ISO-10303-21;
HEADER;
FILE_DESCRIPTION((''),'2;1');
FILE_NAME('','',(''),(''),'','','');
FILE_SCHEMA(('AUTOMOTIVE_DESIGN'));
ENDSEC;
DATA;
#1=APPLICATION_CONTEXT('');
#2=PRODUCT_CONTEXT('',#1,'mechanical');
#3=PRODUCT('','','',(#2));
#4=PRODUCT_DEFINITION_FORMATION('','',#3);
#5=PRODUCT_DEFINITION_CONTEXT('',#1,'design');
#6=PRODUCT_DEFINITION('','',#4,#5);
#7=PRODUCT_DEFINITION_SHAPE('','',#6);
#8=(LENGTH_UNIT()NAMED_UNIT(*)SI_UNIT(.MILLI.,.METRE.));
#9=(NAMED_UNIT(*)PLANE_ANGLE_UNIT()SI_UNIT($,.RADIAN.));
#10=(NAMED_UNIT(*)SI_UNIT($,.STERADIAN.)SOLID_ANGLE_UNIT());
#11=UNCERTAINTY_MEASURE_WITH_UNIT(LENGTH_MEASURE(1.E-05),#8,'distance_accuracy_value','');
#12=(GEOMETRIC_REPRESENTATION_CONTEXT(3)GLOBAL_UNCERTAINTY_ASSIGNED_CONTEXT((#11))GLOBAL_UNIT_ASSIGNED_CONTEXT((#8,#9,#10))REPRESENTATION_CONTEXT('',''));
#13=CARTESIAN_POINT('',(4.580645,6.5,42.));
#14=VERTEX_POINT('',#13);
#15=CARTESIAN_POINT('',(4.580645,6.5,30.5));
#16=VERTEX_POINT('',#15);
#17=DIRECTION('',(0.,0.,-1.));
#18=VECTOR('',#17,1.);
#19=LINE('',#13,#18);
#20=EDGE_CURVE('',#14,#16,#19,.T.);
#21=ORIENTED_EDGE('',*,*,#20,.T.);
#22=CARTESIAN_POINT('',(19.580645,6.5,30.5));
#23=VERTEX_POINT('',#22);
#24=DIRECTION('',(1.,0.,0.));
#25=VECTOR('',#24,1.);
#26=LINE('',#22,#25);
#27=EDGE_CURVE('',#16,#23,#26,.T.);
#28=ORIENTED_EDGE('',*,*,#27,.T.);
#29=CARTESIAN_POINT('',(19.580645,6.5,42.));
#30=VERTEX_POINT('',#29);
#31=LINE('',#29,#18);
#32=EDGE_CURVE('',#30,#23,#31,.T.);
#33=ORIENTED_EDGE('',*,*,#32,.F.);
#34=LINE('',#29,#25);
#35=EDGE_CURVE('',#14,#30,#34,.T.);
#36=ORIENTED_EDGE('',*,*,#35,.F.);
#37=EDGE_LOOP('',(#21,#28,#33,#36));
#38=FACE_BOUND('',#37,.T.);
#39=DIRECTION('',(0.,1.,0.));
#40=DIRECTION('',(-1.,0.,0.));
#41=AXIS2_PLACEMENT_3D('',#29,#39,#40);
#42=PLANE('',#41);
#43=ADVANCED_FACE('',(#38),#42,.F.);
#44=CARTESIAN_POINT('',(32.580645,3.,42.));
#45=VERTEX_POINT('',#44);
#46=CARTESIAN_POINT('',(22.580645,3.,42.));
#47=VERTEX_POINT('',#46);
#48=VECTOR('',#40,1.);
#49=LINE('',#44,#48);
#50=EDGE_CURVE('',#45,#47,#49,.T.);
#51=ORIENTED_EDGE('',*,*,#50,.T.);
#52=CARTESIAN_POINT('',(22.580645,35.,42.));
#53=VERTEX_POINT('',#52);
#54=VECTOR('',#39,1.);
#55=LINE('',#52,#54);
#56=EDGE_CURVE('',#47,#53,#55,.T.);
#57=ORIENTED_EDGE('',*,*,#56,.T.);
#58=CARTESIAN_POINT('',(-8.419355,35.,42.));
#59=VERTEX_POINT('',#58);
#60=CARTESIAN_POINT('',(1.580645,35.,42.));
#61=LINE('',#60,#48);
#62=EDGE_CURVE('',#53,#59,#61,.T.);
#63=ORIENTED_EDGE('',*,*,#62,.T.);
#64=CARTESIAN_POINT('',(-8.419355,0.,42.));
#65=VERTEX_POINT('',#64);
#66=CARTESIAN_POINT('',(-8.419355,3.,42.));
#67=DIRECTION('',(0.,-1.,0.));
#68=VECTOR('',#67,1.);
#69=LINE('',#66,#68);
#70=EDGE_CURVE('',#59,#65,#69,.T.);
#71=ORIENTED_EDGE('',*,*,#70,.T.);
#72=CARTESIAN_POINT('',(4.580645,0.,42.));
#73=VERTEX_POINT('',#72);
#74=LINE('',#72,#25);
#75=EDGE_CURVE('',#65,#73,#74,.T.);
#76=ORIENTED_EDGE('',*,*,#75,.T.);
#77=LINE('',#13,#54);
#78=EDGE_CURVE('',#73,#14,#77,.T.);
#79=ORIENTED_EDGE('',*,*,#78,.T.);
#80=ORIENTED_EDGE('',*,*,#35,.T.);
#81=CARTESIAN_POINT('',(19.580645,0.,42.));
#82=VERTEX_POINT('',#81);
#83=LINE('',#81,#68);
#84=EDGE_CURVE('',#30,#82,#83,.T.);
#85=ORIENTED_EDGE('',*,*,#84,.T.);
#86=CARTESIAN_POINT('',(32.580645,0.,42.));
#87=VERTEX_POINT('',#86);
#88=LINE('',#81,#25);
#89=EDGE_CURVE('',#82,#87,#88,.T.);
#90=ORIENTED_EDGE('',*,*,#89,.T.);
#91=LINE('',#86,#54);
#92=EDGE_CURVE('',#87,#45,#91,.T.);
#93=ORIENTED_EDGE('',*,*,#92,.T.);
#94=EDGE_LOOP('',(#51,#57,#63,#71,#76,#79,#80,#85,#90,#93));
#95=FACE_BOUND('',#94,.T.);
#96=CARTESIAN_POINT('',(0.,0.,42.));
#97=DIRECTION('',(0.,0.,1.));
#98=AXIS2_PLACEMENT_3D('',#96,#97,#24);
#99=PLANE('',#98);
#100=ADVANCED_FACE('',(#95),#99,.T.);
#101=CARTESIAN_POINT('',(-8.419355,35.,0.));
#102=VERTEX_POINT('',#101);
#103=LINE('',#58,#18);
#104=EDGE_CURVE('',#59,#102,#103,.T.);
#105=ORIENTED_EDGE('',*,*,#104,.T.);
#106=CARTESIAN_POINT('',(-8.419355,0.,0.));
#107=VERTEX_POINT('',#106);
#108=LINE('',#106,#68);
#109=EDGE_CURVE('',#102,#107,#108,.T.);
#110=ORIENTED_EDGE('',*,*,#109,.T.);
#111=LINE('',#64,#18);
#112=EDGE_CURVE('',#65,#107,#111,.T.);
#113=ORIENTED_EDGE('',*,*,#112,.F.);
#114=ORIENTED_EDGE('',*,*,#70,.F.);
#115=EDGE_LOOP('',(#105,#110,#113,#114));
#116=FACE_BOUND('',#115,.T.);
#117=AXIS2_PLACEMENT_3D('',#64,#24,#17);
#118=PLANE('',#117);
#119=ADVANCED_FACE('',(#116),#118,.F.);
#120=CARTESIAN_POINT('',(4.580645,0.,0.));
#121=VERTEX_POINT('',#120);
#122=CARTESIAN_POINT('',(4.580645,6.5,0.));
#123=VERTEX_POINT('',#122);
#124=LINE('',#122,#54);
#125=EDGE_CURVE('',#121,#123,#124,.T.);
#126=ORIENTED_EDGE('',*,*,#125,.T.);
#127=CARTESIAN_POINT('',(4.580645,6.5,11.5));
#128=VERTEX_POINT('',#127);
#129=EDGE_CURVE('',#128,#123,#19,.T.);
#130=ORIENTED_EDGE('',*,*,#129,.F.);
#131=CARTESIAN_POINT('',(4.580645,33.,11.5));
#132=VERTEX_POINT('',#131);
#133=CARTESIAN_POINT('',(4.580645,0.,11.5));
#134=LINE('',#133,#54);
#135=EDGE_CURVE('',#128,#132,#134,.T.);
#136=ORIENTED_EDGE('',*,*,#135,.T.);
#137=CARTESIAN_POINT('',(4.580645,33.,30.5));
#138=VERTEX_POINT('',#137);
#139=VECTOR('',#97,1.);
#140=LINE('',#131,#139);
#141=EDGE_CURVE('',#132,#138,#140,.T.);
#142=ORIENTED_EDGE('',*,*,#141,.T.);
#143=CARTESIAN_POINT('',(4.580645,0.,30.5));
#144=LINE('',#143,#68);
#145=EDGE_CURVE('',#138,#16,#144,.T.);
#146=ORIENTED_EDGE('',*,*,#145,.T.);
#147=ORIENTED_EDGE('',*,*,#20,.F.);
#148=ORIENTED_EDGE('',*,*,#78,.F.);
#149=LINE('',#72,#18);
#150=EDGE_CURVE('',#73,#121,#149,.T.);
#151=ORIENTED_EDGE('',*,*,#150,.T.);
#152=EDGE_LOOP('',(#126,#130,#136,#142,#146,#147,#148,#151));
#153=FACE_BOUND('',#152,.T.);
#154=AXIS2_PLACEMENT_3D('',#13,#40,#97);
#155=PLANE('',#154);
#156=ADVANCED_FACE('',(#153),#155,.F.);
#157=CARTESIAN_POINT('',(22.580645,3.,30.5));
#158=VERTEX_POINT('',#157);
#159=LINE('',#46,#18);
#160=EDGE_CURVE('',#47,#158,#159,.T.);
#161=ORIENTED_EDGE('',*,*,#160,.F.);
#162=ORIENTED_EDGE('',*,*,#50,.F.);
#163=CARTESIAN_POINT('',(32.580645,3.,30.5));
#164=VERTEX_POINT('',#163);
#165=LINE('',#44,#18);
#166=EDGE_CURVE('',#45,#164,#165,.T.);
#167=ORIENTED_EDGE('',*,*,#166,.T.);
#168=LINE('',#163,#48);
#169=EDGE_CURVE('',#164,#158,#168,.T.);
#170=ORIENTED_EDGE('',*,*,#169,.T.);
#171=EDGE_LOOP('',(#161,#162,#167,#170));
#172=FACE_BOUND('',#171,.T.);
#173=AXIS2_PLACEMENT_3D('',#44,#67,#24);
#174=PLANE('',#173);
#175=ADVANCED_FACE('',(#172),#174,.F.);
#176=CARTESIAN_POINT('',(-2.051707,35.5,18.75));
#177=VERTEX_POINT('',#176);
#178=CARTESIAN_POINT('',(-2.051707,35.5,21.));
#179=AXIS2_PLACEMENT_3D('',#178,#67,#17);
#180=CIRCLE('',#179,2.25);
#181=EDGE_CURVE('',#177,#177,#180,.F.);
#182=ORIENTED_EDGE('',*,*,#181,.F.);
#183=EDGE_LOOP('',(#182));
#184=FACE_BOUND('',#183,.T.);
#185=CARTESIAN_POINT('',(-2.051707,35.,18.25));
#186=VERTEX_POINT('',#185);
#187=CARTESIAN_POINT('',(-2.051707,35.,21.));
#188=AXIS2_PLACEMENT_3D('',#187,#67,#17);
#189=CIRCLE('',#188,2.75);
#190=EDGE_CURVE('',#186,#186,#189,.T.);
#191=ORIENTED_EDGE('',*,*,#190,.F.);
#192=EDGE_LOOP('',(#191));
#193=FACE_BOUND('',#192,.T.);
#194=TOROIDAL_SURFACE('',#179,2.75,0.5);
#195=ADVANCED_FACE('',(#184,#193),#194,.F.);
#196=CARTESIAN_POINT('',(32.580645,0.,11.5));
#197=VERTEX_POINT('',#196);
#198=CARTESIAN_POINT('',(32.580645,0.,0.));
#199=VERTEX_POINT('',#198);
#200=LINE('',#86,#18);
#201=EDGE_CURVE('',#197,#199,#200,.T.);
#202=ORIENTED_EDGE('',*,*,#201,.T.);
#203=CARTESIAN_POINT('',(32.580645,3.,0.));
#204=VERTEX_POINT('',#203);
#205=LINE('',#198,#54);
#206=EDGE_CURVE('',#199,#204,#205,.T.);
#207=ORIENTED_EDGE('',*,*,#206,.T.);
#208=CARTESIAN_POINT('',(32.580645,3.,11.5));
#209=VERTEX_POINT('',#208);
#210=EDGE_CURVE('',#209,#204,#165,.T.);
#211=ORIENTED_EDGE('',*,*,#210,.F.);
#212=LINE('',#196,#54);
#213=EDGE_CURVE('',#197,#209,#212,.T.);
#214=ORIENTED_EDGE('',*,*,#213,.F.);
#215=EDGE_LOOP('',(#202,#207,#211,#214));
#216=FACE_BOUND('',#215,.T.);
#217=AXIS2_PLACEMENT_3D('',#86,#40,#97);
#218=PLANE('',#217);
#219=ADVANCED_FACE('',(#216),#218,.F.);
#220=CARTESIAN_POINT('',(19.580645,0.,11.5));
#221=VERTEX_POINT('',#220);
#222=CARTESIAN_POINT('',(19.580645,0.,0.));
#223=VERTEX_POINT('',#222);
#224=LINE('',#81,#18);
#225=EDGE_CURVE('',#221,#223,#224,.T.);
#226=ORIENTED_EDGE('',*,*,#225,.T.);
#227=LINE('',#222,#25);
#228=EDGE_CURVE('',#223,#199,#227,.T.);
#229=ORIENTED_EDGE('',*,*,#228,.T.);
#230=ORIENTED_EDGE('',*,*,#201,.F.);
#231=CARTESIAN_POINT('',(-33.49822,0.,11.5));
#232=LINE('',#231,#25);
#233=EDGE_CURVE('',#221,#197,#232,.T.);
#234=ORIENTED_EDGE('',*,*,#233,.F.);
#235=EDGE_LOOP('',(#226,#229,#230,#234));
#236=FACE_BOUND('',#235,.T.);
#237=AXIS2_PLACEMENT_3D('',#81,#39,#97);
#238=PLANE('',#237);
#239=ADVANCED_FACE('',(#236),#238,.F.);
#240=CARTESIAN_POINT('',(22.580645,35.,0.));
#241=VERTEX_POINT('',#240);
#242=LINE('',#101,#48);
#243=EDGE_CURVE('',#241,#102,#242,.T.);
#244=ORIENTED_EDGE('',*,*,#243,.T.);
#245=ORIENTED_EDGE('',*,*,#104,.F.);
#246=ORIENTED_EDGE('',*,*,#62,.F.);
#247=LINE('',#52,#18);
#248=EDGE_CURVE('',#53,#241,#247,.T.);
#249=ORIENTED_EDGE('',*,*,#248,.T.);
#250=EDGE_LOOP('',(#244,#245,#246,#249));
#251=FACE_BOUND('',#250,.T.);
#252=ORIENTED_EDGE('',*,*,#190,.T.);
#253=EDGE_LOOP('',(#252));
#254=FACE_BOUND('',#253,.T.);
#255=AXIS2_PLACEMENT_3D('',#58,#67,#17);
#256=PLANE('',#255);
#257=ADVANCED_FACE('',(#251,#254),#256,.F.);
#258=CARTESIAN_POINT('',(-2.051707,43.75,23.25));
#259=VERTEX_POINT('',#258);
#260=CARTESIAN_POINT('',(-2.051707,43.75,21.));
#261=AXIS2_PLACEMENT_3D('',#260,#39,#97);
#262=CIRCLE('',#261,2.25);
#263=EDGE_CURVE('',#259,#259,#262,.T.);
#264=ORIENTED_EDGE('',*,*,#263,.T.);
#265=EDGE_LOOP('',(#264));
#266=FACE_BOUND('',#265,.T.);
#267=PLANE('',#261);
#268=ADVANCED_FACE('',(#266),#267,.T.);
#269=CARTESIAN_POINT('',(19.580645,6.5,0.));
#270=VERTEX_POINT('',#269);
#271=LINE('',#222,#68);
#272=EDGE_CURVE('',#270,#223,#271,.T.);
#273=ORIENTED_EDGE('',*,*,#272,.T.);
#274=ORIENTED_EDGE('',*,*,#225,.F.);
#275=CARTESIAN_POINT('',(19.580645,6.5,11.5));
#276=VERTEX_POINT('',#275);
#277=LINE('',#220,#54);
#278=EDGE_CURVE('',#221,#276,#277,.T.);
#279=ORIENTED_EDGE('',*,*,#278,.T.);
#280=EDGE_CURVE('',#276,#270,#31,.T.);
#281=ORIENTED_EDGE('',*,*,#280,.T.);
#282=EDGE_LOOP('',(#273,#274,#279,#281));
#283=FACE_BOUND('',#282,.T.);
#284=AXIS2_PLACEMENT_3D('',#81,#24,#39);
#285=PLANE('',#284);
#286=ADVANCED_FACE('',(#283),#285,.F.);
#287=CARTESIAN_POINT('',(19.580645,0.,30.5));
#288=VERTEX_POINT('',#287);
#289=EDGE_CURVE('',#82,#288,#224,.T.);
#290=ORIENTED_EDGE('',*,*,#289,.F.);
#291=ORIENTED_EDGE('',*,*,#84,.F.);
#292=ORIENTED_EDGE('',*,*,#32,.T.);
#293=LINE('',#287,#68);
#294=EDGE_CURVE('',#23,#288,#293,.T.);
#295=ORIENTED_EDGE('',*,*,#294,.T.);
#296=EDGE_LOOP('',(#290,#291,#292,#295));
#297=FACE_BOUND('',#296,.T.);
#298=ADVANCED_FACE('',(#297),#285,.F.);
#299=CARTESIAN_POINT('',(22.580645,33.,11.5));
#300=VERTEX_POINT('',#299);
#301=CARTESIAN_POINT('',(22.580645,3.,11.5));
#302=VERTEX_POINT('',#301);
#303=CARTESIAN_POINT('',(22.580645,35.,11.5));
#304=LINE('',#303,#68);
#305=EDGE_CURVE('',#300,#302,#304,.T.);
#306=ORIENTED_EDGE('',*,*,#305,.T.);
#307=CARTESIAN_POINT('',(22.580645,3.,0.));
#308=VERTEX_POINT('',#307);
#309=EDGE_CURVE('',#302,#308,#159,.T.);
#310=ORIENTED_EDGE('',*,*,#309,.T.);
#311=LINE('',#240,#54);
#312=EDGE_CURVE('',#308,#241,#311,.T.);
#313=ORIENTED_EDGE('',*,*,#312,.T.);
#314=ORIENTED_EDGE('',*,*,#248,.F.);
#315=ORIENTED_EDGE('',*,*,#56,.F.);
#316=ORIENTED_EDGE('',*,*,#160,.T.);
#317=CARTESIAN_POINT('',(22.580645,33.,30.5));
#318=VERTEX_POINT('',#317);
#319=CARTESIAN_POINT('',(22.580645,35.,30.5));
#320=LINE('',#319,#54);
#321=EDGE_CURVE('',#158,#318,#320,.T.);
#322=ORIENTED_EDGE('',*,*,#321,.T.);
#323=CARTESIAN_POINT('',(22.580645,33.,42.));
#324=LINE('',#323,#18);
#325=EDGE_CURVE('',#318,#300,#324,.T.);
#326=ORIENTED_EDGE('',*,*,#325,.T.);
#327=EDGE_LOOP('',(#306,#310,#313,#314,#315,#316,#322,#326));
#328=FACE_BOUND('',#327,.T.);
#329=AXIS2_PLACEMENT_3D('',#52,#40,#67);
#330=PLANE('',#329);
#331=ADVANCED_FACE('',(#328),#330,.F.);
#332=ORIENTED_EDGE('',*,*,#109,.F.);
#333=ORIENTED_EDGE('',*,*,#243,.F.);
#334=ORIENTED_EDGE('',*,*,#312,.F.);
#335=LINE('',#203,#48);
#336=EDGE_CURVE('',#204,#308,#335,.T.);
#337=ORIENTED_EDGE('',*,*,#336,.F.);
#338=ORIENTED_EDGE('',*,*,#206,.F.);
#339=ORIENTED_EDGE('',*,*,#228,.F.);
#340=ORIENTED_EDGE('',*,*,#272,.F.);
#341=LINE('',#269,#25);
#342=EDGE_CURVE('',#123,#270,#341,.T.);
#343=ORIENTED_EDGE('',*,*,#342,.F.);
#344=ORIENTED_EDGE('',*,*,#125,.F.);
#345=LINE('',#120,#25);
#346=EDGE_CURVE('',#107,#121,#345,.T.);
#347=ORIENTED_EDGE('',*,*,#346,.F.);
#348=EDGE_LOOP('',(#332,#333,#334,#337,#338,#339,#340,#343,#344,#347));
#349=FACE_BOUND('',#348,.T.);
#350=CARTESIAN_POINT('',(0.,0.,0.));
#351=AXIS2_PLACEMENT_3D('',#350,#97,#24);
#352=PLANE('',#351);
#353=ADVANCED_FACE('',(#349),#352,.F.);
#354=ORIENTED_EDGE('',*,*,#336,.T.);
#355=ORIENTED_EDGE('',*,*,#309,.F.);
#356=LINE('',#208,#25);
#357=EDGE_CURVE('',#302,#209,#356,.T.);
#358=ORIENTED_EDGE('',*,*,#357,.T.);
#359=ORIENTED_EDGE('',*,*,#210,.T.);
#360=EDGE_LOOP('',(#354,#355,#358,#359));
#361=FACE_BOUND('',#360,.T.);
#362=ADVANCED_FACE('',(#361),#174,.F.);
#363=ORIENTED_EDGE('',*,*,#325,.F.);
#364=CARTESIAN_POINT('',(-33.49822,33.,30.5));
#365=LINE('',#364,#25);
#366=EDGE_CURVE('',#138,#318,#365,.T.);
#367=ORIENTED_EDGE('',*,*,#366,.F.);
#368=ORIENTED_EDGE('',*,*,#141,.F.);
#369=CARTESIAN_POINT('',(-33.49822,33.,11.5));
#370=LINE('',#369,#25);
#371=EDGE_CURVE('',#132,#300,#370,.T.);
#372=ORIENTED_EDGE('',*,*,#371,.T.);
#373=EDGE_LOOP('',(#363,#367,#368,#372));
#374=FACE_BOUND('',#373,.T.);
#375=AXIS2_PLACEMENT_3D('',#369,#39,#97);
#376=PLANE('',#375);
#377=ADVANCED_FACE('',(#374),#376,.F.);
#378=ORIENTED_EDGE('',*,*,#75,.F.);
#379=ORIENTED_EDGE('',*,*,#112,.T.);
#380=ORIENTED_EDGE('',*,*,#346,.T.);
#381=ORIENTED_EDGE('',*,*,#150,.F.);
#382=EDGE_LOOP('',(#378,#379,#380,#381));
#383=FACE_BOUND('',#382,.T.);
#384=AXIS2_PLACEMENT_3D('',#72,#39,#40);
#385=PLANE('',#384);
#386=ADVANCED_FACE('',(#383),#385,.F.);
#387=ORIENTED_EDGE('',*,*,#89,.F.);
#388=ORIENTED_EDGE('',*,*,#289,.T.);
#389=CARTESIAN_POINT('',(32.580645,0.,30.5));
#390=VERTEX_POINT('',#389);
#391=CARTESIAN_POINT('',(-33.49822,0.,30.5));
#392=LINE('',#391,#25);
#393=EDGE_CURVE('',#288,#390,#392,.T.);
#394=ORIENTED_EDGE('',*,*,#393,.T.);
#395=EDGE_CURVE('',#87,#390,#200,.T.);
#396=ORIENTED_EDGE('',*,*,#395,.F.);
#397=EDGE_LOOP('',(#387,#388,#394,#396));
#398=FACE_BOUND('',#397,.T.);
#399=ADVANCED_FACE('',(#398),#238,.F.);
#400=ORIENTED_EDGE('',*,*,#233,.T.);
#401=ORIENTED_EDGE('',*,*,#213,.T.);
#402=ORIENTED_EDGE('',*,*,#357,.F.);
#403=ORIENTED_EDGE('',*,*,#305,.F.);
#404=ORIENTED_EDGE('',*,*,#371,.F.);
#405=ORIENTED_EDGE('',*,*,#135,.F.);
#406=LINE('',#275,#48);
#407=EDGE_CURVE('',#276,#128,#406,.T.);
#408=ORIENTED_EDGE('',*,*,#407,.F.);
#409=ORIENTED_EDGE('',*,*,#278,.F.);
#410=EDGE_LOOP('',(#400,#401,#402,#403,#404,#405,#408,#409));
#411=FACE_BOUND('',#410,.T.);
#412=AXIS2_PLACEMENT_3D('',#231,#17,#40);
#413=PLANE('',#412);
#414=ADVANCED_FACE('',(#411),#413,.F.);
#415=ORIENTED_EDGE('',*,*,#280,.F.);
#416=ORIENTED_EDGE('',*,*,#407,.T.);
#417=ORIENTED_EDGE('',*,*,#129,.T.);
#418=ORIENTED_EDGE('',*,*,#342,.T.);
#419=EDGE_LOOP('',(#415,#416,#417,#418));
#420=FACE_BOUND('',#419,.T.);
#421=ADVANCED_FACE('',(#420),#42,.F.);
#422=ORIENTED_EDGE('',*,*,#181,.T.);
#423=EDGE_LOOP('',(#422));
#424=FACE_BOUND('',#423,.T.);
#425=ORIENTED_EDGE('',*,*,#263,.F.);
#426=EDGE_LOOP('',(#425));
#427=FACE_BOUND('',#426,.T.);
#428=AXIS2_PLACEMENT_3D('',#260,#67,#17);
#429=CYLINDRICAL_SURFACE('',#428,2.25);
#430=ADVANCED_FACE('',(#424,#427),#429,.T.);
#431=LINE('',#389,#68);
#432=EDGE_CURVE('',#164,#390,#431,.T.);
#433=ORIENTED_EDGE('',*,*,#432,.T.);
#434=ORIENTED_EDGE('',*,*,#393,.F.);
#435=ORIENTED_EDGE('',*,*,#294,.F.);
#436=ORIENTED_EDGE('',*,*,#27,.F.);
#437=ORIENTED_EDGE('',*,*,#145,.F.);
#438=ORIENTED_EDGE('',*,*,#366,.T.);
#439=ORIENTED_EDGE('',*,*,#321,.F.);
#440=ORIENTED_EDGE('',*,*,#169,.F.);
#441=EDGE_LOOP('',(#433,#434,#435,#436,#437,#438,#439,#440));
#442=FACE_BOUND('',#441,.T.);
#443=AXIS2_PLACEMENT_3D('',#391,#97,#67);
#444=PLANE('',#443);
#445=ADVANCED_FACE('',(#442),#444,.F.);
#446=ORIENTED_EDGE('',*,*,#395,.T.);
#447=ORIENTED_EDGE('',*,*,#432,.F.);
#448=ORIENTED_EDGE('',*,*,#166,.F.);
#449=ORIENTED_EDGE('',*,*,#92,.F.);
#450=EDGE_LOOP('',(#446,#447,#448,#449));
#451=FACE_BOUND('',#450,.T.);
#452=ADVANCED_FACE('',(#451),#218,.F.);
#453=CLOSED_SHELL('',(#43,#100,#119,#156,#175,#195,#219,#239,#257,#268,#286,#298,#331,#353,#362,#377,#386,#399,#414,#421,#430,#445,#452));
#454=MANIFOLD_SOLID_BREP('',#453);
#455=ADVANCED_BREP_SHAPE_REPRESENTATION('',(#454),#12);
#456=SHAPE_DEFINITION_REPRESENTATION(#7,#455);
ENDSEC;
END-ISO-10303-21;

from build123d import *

# Parameters (mm, degrees)
BOSS_EXTRUDE1_DEPTH = 42
CUT_EXTRUDE1_REACH  = 70.337
SKETCH2_W           = 19
SKETCH2_H           = 33
SKETCH3_R           = 2.25
BOSS_EXTRUDE2_DEPTH = 8.75
FILLET1_R           = 0.5


with BuildPart() as part:
    # Sketch1 → Boss-Extrude1 (new body)
    with BuildSketch(Plane.XY):
        Polygon((19.580645161, 0), (19.580645161, 6.5), (4.580645161, 6.5), (4.580645161, 0), (-8.419354839, 0), (-8.419354839, 3), (-8.419354839, 35), (1.580645161, 35), (22.580645161, 35), (22.580645161, 3), (32.580645161, 3), (32.580645161, 0), align=None)
    extrude(amount=BOSS_EXTRUDE1_DEPTH)

    # Cut-Extrude1: up to this face of the body (flat: up to its plane)
    cut_extrude1_end = Plane(part.part.faces().sort_by_distance((4.580645161, 3.25, 21))[0])
    # Sketch2 → Cut-Extrude1 (cut, up to the picked face)
    with BuildSketch(Plane(origin=(32.580645161, 0, 0), x_dir=(0, 0, -1), z_dir=(1, 0, 0)), mode=Mode.PRIVATE) as cut_extrude1_sk1:
        with Locations((-21, 16.5)):
            Rectangle(SKETCH2_W, SKETCH2_H)
    cut_extrude1_tool1 = split(extrude(cut_extrude1_sk1.sketch, amount=-CUT_EXTRUDE1_REACH, mode=Mode.PRIVATE), bisect_by=cut_extrude1_end, keep=Keep.BOTH, mode=Mode.PRIVATE)
    add(cut_extrude1_tool1.solids().sort_by(Axis((32.580645, 16.5, 21), (-1, 0, 0)))[0], mode=Mode.SUBTRACT)

    # Sketch3 → Boss-Extrude2 (add)
    with BuildSketch(Plane(origin=(0, 35, 0), x_dir=(1, 0, 0), z_dir=(0, 1, 0))):
        with Locations(Location((-2.051707365, -21, 0), (0, 0, 90))):
            Circle(SKETCH3_R)
    extrude(amount=BOSS_EXTRUDE2_DEPTH)

    # Fillet1
    fillet1_edges = [part.edges().sort_by_distance(p)[0] for p in [
        (-2.051707365, 35, 23.25),
    ]]
    fillet(fillet1_edges, radius=FILLET1_R)


solid = part.part
